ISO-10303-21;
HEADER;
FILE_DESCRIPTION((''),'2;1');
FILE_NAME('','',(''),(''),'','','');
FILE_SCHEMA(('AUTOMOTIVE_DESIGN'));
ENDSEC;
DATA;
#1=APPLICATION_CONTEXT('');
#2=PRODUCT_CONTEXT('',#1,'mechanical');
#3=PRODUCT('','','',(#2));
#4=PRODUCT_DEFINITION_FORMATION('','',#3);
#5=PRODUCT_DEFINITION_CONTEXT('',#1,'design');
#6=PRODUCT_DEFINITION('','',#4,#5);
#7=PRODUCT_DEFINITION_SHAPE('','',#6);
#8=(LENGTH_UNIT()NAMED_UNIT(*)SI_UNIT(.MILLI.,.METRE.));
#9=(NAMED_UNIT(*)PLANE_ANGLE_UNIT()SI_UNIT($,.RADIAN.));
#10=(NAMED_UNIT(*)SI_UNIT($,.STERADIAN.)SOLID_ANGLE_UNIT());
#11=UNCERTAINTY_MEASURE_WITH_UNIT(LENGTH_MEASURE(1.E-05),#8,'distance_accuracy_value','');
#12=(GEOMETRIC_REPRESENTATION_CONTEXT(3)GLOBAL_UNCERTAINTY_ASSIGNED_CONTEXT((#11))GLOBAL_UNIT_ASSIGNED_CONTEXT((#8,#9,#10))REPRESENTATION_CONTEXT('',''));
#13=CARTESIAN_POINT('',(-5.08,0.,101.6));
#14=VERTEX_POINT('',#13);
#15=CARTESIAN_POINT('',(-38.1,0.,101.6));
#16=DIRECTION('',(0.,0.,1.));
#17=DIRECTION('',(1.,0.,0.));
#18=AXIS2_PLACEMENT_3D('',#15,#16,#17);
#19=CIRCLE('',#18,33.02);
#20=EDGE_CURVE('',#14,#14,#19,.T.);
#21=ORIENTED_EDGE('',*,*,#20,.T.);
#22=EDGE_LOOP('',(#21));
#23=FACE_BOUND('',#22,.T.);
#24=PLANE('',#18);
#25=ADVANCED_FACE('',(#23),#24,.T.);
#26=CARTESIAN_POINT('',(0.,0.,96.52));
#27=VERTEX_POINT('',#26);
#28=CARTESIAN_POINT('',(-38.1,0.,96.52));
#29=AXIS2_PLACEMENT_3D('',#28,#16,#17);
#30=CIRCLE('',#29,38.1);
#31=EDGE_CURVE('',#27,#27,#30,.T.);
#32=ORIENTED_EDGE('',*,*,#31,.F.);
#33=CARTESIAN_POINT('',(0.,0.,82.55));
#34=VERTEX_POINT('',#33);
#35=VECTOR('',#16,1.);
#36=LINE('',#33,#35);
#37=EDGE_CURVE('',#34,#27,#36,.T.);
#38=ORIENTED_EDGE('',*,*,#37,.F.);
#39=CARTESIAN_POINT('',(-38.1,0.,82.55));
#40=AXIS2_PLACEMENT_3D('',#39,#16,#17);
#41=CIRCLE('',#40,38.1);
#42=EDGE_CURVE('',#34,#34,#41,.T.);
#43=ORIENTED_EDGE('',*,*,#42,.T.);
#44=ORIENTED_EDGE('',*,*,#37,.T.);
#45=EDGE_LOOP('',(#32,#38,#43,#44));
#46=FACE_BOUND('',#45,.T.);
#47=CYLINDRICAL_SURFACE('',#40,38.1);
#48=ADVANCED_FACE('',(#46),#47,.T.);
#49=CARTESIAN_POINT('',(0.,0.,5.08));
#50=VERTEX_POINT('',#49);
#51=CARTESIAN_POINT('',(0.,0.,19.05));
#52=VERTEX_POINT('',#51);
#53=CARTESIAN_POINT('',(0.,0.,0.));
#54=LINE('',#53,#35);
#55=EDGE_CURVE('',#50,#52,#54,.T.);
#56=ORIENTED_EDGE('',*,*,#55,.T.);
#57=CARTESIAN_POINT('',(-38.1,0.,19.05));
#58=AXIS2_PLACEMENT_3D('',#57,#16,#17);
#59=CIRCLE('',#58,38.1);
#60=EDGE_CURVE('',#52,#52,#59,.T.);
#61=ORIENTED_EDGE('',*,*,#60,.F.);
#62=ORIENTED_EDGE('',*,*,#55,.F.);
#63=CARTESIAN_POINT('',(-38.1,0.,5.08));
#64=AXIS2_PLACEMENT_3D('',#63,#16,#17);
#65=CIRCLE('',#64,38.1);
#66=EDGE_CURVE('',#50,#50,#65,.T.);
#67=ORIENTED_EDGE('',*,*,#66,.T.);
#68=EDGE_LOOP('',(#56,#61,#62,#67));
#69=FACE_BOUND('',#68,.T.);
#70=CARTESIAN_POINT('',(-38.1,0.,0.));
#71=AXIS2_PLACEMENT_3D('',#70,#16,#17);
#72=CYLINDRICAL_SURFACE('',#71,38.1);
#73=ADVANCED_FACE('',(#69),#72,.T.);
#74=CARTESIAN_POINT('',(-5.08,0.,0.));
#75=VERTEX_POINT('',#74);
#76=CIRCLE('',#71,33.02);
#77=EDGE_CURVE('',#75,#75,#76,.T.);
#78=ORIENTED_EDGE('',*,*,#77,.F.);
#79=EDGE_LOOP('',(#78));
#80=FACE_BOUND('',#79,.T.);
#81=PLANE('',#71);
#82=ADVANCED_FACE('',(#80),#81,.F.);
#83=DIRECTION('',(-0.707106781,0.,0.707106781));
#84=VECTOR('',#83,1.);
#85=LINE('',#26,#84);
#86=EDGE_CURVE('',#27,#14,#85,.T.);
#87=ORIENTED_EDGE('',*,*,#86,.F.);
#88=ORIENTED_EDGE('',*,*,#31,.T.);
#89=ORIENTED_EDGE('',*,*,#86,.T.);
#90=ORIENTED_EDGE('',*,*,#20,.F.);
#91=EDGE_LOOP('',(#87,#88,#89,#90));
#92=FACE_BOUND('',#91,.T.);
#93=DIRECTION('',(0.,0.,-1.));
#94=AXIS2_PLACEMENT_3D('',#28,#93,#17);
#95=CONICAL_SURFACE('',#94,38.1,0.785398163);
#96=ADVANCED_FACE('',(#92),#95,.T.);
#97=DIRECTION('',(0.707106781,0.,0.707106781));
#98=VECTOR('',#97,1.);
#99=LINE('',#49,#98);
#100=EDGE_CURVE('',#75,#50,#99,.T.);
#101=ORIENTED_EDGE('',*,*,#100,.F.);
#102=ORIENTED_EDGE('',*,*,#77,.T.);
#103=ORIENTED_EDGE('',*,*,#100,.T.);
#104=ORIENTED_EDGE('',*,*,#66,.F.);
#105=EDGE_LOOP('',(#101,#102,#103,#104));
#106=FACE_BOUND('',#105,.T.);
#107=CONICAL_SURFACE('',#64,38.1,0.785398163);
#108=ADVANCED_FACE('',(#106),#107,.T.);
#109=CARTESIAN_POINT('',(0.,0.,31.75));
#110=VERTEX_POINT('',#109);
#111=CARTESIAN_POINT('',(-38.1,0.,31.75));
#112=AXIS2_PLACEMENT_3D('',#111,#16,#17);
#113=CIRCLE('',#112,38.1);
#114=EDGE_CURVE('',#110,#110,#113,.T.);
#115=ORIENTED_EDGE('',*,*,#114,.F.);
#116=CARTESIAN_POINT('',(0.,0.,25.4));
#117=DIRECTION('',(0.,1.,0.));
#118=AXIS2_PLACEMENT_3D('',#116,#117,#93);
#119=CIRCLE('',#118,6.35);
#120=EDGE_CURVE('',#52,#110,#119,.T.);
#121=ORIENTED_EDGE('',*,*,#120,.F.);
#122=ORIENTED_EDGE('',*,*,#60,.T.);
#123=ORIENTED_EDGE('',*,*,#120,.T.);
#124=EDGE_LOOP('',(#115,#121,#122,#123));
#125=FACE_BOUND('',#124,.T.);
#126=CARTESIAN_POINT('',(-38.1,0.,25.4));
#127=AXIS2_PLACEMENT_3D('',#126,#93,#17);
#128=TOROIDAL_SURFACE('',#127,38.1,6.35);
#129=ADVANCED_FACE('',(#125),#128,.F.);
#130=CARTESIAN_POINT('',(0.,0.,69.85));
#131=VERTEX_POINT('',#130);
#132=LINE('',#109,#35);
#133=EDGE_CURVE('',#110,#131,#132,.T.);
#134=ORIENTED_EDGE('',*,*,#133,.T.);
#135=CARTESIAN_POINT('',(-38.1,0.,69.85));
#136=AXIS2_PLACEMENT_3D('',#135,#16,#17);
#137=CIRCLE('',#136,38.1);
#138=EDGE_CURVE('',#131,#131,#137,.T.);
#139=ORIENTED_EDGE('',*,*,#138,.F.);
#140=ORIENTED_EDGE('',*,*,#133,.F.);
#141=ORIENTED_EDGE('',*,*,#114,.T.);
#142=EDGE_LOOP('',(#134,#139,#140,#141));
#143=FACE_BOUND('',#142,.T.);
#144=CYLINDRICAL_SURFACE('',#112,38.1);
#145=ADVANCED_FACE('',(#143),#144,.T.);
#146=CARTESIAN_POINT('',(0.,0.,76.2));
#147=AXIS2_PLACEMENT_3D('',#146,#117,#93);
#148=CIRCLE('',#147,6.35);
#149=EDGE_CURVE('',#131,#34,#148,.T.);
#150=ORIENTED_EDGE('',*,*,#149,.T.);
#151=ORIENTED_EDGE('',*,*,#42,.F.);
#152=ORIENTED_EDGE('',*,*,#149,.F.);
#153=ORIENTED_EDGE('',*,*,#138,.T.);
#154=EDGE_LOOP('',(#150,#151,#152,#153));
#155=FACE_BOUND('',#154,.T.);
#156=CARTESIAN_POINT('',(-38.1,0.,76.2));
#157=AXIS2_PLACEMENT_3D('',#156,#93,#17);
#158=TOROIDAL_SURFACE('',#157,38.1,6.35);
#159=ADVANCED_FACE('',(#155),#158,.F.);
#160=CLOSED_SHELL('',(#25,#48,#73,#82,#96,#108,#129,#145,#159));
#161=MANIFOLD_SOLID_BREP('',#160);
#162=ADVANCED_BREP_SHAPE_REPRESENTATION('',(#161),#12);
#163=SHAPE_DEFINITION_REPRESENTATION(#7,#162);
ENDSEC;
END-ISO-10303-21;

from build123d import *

# Parameters (mm, degrees)
F2_SIZE = 5.08
F3_SIZE = 5.08


with BuildPart() as f1:
    # F0 (on Front) → F1 (revolve)
    with BuildSketch(Plane.XZ):
        with BuildLine():
            Line((-38.1, 0), (0, 0))
            Line((0, 0), (0, 19.05))
            ThreePointArc((0, 19.05), (-6.35, 25.4), (0, 31.75))
            Line((0, 31.75), (0, 69.85))
            ThreePointArc((0, 69.85), (-6.35, 76.2), (0, 82.55))
            Line((0, 82.55), (0, 101.6))
            Line((0, 101.6), (-38.1, 101.6))
            Line((-38.1, 101.6), (-38.1, 0))
        make_face()
    revolve(axis=Axis((-38.1, 0, 50.8), (0, 0, 1)))

    # F2
    f2_edges = [f1.edges().sort_by_distance(p)[0] for p in [
        (-76.2, 0, 0),
    ]]
    chamfer(f2_edges, length=F2_SIZE)

    # F3
    f3_edges = [f1.edges().sort_by_distance(p)[0] for p in [
        (-76.2, 0, 101.6),
    ]]
    chamfer(f3_edges, length=F3_SIZE)


solid = f1.part
